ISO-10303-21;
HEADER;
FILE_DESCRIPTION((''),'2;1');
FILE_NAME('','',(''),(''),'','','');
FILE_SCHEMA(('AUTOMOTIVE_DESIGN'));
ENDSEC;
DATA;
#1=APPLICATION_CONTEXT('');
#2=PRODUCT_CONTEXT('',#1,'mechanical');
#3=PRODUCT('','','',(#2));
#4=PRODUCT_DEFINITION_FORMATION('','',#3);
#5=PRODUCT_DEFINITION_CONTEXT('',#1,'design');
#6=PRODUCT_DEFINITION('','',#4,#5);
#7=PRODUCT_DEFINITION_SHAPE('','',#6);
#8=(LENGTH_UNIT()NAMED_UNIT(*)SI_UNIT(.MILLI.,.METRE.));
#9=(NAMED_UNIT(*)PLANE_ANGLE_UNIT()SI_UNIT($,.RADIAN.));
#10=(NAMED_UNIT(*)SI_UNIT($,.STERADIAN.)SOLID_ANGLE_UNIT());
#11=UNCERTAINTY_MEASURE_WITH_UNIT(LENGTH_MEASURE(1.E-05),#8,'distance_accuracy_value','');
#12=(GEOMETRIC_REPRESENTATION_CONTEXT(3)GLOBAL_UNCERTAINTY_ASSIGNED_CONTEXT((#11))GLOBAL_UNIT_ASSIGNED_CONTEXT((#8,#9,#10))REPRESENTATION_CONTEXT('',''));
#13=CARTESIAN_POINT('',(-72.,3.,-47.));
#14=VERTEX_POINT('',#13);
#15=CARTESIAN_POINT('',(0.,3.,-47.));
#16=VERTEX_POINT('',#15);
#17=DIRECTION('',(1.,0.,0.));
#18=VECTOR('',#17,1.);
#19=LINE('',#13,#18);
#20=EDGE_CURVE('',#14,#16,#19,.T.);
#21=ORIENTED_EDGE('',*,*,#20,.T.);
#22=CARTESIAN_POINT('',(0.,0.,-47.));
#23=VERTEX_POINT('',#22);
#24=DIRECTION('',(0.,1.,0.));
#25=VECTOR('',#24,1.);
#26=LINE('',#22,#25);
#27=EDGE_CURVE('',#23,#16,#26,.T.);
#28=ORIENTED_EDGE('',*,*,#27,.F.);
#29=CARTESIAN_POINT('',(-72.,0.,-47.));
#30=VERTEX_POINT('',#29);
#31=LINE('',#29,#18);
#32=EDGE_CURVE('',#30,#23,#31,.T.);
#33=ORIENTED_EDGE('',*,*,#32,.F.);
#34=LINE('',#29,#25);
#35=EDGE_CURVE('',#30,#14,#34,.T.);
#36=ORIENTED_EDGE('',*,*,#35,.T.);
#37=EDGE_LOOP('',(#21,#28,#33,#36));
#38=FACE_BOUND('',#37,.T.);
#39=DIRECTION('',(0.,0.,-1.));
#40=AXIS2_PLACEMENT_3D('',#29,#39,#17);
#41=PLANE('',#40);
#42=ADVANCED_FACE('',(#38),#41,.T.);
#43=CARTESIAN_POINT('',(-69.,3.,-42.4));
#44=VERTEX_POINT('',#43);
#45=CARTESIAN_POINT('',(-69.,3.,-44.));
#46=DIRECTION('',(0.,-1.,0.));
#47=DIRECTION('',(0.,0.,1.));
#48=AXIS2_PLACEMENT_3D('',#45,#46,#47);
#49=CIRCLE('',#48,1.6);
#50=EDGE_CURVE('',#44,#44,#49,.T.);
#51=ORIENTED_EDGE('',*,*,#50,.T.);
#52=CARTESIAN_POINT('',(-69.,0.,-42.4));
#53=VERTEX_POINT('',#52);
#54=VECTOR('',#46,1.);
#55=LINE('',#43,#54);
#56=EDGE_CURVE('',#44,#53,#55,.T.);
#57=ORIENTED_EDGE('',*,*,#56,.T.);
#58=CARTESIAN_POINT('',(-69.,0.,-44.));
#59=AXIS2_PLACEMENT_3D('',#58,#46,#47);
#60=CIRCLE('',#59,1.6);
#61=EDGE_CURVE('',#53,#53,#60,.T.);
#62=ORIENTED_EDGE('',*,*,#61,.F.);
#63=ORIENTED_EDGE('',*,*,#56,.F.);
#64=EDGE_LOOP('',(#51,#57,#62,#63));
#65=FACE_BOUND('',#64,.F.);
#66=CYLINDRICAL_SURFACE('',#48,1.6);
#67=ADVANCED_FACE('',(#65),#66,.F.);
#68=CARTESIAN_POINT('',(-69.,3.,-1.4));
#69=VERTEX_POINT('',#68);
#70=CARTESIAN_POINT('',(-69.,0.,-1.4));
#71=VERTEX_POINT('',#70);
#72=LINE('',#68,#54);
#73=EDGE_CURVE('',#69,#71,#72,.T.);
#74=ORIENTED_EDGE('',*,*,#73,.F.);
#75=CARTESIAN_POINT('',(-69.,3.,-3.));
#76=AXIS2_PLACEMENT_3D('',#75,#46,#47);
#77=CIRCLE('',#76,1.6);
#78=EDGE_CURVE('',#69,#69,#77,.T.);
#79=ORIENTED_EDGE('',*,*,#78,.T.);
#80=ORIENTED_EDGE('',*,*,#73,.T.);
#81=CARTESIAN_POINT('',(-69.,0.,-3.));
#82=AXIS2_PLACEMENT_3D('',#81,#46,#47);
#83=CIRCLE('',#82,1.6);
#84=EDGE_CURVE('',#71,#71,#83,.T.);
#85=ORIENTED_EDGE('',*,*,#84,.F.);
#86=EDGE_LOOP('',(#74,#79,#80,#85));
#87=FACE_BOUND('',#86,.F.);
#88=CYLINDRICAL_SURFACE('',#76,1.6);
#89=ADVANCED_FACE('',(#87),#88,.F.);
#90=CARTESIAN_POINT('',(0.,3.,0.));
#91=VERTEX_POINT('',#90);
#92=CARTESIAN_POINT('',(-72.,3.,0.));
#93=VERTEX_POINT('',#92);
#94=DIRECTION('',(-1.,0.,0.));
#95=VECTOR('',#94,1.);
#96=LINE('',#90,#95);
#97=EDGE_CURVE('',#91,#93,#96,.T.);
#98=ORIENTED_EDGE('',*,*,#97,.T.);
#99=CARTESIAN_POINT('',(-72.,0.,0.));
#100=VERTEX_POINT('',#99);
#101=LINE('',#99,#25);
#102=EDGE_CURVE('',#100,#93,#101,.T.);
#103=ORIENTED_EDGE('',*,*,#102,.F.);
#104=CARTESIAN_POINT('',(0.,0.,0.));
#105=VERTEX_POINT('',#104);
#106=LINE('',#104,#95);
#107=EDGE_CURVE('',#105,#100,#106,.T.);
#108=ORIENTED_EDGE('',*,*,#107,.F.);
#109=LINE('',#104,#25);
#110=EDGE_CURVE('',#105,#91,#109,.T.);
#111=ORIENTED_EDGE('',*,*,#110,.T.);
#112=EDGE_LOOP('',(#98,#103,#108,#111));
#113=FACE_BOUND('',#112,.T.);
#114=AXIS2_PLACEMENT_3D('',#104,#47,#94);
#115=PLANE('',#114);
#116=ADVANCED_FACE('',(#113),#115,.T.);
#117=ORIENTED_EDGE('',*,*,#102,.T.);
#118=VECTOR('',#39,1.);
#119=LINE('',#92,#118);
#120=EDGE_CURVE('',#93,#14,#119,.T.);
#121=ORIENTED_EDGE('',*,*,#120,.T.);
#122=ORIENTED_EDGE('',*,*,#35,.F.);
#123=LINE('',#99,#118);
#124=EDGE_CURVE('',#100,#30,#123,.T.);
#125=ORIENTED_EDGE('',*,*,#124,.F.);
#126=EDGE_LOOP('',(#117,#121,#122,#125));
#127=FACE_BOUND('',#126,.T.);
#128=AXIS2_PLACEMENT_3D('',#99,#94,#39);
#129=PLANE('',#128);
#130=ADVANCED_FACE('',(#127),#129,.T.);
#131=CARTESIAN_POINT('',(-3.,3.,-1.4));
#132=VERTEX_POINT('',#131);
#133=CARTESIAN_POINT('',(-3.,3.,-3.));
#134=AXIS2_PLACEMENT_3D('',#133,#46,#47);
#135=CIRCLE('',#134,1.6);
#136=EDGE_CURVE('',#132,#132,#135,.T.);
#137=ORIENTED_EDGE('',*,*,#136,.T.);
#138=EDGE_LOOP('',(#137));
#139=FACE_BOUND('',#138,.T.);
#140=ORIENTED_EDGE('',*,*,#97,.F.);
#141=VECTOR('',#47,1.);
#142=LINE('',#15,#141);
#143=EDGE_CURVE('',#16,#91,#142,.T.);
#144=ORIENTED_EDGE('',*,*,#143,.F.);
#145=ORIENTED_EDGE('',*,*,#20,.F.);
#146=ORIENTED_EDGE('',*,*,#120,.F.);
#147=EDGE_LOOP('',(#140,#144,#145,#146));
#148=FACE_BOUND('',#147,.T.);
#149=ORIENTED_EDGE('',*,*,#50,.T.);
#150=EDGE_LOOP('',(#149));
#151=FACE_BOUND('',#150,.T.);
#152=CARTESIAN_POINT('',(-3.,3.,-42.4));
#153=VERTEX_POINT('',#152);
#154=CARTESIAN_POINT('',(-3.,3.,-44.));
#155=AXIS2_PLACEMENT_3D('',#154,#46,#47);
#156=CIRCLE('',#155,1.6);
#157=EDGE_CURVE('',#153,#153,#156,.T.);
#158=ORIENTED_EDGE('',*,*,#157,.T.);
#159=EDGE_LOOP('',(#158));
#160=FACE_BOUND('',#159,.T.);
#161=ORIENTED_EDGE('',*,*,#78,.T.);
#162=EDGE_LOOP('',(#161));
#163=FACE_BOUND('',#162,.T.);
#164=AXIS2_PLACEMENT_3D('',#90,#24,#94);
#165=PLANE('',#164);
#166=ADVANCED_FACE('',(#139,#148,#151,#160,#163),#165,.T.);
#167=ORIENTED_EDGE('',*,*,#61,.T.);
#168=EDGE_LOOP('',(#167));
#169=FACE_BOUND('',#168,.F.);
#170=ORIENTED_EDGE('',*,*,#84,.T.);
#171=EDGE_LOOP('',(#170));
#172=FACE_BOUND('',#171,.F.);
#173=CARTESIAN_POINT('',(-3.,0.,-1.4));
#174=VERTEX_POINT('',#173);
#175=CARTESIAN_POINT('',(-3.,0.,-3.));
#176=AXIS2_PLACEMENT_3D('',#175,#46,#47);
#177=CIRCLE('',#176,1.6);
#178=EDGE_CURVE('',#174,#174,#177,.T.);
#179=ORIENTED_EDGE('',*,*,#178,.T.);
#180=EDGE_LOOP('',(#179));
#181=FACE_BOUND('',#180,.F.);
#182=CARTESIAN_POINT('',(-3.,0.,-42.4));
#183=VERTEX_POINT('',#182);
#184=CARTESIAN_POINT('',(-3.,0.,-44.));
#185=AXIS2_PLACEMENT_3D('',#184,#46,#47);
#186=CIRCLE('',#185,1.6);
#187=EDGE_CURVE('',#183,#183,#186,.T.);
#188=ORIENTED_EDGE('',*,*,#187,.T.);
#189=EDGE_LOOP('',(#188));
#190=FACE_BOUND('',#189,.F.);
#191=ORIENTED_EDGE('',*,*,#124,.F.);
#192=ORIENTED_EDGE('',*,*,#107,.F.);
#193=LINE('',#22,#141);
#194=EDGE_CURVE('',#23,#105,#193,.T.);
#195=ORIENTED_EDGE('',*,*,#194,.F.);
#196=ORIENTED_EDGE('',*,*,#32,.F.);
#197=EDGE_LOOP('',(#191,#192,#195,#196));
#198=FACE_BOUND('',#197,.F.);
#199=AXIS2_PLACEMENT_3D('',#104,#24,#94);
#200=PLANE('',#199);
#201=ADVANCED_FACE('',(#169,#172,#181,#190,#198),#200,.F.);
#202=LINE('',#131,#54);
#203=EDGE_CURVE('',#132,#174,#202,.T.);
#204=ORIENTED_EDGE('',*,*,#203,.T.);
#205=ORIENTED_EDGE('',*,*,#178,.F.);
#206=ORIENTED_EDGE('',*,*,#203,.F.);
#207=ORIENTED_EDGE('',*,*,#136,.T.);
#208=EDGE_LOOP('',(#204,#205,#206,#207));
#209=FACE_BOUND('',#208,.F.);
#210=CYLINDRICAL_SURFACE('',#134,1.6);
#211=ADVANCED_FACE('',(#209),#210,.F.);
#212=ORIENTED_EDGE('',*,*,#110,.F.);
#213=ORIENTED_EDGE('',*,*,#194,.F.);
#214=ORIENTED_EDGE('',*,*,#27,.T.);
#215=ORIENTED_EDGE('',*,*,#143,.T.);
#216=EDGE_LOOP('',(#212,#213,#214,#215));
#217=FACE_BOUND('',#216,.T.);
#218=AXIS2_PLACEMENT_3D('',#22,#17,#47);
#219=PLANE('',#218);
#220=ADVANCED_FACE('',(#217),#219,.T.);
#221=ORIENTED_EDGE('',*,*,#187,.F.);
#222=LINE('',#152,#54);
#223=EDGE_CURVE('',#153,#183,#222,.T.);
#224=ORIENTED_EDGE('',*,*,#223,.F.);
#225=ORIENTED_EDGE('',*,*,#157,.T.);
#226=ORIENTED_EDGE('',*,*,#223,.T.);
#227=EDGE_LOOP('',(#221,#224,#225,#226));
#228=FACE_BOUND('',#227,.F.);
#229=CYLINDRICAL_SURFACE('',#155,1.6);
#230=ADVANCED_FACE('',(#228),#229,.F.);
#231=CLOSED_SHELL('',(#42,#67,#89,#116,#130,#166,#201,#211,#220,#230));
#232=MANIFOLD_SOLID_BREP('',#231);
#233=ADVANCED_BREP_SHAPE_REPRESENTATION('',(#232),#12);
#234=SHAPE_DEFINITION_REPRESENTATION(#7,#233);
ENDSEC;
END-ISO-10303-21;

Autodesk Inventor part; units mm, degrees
ref_plane "YZ Plane" through (0, 0, 0) normal (1, 0, 0) x (0, 1, 0)
ref_plane "XZ Plane" through (0, 0, 0) normal (0, 1, 0) x (-1, 0, 0)
ref_plane "XY Plane" through (0, 0, 0) normal (0, 0, 1) x (1, 0, 0)
sketch "スケッチ1" plane through (0, 0, 0) normal (0, 1, 0) x (-1, 0, 0)
  line L0 (0, 0) -> (72, 0)
  line L1 (72, 0) -> (72, -47)
  line L2 (72, -47) -> (0, -47)
  line L3 (0, -47) -> (0, 0)
  dimension "d0" = 72
  dimension "d1" = 47
extrude "押し出し1" add sketch "スケッチ1" along normal blind 3
sketch "スケッチ2" plane through (0, 3, 0) normal (0, 1, 0) x (1, 0, 0)
  line L0 (-72, 47) -> (-72, 0) projected
  line L1 (0, 47) -> (-72, 47) projected
  line L2 (-72, 0) -> (0, 0) projected
  line L3 (0, 0) -> (0, 47) projected
  point P0 (-69, 3)
  point P1 (-69, 44)
  point P2 (-3, 3)
  point P3 (-3, 44)
  dimension "d4" = 3
  dimension "d5" = 3
  dimension "d6" = 3
  dimension "d7" = 3
  dimension "d15" = 41
  dimension "d16" = 66
hole "穴1" at (-69, 3, -3) at (-69, 3, -44) at (-3, 3, -3) at (-3, 3, -44) direction (0, -1, 0) diameter 3.2 depth 3
properties part number "mainBoard" material "エポキシ樹脂"
